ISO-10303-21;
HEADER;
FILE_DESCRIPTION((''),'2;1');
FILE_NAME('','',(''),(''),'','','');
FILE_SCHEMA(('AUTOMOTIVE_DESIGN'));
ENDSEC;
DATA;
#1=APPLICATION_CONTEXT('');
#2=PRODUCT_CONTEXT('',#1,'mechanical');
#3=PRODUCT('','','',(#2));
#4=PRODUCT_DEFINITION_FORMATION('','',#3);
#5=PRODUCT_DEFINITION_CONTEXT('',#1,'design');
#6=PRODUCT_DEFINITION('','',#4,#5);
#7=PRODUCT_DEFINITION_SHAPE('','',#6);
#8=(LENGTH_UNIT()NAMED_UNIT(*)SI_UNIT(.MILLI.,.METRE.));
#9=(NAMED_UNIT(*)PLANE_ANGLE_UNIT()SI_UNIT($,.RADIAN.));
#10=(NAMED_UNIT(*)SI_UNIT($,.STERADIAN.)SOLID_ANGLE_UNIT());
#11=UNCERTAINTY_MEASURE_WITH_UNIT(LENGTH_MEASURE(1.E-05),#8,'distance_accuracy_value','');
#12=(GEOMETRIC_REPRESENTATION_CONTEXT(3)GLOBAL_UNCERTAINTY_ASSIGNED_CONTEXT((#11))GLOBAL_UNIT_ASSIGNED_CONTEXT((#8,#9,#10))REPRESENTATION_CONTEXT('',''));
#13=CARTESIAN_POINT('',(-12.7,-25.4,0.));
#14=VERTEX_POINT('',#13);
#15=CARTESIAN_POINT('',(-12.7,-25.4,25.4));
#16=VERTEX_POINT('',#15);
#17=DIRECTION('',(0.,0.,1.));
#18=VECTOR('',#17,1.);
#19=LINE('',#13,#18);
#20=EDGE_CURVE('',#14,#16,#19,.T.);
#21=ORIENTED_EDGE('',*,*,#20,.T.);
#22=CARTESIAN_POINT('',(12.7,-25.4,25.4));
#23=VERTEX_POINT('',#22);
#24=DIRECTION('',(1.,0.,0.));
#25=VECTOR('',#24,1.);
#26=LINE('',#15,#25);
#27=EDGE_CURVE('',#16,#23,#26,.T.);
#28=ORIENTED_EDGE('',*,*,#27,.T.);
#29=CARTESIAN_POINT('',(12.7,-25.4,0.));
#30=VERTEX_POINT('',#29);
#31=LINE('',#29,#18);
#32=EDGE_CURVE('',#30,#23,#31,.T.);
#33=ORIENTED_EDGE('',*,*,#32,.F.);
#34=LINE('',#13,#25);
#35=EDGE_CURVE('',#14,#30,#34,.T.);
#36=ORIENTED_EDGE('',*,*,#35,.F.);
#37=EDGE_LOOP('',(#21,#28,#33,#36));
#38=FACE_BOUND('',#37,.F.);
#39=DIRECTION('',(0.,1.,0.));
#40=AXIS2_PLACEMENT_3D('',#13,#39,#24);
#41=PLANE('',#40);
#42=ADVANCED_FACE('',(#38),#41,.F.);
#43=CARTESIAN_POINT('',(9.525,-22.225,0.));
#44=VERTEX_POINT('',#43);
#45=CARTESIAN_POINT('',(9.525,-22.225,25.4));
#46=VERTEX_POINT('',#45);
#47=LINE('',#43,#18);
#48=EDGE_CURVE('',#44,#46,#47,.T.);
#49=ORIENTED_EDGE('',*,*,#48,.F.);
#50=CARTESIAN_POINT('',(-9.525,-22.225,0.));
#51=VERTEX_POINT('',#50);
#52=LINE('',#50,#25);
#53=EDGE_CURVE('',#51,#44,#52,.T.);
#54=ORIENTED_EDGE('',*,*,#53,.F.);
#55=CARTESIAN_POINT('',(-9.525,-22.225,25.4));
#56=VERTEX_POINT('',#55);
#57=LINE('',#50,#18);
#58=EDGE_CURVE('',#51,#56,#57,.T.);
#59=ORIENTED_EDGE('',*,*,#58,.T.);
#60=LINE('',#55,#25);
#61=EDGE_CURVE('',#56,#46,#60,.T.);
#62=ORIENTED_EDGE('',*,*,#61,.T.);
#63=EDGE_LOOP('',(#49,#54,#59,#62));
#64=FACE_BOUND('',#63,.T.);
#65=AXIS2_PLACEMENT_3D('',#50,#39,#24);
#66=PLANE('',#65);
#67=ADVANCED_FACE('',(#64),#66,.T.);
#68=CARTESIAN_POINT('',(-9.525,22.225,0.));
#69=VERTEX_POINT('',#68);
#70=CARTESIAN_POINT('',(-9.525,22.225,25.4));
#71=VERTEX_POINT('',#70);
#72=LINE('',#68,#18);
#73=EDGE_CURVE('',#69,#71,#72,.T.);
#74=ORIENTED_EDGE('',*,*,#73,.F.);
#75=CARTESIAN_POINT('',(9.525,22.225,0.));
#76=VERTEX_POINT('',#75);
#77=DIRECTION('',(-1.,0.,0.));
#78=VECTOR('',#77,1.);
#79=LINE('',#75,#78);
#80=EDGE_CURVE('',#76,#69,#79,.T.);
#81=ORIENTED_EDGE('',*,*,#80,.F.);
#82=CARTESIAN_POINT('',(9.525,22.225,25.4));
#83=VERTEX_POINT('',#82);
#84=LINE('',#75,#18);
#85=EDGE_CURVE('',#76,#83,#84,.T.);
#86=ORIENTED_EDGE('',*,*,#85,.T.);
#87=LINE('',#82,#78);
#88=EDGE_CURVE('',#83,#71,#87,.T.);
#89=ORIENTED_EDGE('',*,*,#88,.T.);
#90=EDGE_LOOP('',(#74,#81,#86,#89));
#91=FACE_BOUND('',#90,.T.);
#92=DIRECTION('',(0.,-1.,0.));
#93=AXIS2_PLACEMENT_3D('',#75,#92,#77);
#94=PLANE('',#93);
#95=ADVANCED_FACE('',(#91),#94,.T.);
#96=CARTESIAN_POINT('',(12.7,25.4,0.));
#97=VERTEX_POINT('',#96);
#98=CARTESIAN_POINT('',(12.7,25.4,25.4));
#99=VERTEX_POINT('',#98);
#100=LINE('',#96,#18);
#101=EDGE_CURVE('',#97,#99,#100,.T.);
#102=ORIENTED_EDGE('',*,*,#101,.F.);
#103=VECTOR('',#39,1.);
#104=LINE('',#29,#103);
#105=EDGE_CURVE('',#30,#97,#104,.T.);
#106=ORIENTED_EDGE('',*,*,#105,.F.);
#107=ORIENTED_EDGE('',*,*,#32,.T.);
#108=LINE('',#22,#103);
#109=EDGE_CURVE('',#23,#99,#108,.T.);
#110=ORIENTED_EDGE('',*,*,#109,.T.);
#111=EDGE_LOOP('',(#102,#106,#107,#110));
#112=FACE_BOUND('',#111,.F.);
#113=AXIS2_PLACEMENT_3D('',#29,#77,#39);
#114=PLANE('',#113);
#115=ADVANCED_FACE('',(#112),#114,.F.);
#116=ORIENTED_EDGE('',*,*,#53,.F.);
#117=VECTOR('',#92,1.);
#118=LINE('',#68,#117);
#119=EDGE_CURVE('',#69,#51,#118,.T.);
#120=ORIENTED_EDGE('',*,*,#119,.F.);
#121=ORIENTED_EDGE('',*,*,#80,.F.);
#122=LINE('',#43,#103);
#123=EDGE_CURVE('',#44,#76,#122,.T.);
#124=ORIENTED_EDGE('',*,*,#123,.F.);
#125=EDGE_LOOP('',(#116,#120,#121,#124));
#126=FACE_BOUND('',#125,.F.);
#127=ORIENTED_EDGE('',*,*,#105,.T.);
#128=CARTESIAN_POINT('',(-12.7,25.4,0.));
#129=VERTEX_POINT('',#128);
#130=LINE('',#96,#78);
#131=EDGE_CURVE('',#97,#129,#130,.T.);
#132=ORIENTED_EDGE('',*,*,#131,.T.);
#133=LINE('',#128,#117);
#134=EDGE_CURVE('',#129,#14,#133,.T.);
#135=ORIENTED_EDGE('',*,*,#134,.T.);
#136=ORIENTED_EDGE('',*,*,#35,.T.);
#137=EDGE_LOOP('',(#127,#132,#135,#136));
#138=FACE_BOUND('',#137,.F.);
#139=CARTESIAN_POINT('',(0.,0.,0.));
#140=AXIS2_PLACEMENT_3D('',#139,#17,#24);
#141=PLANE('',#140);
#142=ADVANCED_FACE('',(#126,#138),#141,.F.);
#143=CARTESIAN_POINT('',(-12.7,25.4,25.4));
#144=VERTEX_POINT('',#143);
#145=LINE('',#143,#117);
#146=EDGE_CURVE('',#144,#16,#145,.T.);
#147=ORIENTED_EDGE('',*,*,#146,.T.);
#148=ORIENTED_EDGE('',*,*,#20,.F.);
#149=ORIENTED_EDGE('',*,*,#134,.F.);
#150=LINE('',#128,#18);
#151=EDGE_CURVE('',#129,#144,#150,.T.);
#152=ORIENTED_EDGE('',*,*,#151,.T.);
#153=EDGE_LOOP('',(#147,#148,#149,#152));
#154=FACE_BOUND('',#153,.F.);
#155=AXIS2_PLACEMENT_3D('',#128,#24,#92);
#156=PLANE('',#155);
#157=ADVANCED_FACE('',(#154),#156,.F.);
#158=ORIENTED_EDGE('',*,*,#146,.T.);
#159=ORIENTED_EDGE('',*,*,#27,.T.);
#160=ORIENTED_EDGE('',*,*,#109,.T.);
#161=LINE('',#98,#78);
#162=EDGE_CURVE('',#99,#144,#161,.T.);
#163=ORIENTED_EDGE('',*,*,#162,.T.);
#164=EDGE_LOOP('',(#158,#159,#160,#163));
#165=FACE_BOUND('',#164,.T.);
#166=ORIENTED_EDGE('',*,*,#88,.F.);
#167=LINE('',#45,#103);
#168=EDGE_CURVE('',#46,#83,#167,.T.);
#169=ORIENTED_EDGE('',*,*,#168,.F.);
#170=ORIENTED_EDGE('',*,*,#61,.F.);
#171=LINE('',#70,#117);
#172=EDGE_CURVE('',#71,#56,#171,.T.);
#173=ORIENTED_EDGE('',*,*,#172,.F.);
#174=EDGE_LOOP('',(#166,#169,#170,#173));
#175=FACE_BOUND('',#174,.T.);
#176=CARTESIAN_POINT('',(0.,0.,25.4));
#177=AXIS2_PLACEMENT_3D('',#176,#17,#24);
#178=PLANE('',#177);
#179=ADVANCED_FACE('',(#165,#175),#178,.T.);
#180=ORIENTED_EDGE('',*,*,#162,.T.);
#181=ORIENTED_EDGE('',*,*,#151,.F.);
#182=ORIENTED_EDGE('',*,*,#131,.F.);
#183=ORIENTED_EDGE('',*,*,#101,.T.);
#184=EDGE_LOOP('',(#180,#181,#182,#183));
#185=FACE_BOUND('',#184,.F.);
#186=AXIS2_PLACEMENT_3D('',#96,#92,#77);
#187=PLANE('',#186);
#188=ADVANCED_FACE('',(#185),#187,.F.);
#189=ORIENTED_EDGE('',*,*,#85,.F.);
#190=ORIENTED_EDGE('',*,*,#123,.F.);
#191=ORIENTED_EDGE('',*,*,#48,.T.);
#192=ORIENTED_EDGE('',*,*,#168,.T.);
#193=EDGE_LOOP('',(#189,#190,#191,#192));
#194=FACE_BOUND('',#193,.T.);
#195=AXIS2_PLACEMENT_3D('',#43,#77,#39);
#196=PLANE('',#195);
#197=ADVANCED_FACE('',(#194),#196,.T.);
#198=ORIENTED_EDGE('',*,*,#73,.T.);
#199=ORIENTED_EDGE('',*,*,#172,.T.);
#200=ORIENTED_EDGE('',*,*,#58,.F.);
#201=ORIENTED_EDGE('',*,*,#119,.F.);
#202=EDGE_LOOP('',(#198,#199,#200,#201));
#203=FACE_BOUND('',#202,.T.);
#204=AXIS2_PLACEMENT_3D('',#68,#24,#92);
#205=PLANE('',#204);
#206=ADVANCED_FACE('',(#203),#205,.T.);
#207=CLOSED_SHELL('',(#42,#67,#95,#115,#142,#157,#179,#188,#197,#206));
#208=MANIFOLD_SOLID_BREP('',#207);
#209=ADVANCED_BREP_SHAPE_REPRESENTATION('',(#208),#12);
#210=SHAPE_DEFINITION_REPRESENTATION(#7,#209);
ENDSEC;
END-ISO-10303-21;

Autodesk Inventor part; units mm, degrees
ref_plane "YZ Plane" through (0, 0, 0) normal (1, 0, 0) x (0, 1, 0)
ref_plane "Start Plane" through (0, 0, 0) normal (0, 0, 1) x (1, 0, 0)
ref_plane "End Plane" through (0, 0, 25.4) normal (0, 0, 1) x (1, 0, 0)
sketch "Sketch" plane through (0, 0, 0) normal (0, 0, 1) x (1, 0, 0)
  line L0 (-12.7, -25.4) -> (12.7, -25.4)
  line L1 (12.7, -25.4) -> (12.7, 25.4)
  line L2 (12.7, 25.4) -> (-12.7, 25.4)
  line L3 (-12.7, 25.4) -> (-12.7, -25.4)
  line L4 (-12.7, -25.4) -> (12.7, 25.4) construction
  line L5 (12.7, -25.4) -> (-12.7, 25.4) construction
  line L6 (-9.525, -22.225) -> (9.525, -22.225)
  line L7 (9.525, -22.225) -> (9.525, 22.225)
  line L8 (9.525, 22.225) -> (-9.525, 22.225)
  line L9 (-9.525, 22.225) -> (-9.525, -22.225)
  line L10 (-9.525, -22.225) -> (9.525, 22.225) construction
  line L11 (9.525, -22.225) -> (-9.525, 22.225) construction
  point P0 (0, 0)
  dimension "d0" = 25.4
  dimension "d1" = 50.8
  dimension "d2" = 3.175
  dimension "d3" = 3.175
extrude "Body" add sketch "Sketch" along normal up to surface (25.4 mm away) from surface at 0
sketch "Sketch6" plane through (0, 0, 0) normal (0, 0, 1) x (1, 0, 0)
  line L0 (0, 0) -> (10, 0)
ref_plane "Work Plane5" through (0, 0, 0) normal (0, -1, 0) x (1, 0, 0)
sketch "Sketch7" plane through (0, 0, 0) normal (0, -1, 0) x (1, 0, 0)
  line L0 (-2, 0) -> (12, 0)
  line L1 (-2, 25.4) -> (12, 25.4)
  dimension "d11" = 25.4
sketch "Sketch8" plane through (-12.7, -25.4, 25.4) normal (0, 0, 1) x (1, 0, 0)
  point P0 (12.7, 25.4)
equation "\"d0\" = Width"
equation "\"d1\" = Height"
equation "\"d2\" = Thickness"
equation "\"d3\" = Thickness"
equation "\"Height\" = 50.8"
equation "\"Width\" = 25.4"
equation "\"Thickness\" = 3.175"
equation "\"BaseLength\" = 25.4"
equation "\"G_OFFSET_START\" = 0"
equation "\"G_OFFSET_END\" = 0"
equation "\"d7\" = BaseLength + G_OFFSET_END"
equation "\"G_L\" = d11"
properties part number "AL RECT TUBE 2 x 1 x 0.125" material "Aluminum 6061"
